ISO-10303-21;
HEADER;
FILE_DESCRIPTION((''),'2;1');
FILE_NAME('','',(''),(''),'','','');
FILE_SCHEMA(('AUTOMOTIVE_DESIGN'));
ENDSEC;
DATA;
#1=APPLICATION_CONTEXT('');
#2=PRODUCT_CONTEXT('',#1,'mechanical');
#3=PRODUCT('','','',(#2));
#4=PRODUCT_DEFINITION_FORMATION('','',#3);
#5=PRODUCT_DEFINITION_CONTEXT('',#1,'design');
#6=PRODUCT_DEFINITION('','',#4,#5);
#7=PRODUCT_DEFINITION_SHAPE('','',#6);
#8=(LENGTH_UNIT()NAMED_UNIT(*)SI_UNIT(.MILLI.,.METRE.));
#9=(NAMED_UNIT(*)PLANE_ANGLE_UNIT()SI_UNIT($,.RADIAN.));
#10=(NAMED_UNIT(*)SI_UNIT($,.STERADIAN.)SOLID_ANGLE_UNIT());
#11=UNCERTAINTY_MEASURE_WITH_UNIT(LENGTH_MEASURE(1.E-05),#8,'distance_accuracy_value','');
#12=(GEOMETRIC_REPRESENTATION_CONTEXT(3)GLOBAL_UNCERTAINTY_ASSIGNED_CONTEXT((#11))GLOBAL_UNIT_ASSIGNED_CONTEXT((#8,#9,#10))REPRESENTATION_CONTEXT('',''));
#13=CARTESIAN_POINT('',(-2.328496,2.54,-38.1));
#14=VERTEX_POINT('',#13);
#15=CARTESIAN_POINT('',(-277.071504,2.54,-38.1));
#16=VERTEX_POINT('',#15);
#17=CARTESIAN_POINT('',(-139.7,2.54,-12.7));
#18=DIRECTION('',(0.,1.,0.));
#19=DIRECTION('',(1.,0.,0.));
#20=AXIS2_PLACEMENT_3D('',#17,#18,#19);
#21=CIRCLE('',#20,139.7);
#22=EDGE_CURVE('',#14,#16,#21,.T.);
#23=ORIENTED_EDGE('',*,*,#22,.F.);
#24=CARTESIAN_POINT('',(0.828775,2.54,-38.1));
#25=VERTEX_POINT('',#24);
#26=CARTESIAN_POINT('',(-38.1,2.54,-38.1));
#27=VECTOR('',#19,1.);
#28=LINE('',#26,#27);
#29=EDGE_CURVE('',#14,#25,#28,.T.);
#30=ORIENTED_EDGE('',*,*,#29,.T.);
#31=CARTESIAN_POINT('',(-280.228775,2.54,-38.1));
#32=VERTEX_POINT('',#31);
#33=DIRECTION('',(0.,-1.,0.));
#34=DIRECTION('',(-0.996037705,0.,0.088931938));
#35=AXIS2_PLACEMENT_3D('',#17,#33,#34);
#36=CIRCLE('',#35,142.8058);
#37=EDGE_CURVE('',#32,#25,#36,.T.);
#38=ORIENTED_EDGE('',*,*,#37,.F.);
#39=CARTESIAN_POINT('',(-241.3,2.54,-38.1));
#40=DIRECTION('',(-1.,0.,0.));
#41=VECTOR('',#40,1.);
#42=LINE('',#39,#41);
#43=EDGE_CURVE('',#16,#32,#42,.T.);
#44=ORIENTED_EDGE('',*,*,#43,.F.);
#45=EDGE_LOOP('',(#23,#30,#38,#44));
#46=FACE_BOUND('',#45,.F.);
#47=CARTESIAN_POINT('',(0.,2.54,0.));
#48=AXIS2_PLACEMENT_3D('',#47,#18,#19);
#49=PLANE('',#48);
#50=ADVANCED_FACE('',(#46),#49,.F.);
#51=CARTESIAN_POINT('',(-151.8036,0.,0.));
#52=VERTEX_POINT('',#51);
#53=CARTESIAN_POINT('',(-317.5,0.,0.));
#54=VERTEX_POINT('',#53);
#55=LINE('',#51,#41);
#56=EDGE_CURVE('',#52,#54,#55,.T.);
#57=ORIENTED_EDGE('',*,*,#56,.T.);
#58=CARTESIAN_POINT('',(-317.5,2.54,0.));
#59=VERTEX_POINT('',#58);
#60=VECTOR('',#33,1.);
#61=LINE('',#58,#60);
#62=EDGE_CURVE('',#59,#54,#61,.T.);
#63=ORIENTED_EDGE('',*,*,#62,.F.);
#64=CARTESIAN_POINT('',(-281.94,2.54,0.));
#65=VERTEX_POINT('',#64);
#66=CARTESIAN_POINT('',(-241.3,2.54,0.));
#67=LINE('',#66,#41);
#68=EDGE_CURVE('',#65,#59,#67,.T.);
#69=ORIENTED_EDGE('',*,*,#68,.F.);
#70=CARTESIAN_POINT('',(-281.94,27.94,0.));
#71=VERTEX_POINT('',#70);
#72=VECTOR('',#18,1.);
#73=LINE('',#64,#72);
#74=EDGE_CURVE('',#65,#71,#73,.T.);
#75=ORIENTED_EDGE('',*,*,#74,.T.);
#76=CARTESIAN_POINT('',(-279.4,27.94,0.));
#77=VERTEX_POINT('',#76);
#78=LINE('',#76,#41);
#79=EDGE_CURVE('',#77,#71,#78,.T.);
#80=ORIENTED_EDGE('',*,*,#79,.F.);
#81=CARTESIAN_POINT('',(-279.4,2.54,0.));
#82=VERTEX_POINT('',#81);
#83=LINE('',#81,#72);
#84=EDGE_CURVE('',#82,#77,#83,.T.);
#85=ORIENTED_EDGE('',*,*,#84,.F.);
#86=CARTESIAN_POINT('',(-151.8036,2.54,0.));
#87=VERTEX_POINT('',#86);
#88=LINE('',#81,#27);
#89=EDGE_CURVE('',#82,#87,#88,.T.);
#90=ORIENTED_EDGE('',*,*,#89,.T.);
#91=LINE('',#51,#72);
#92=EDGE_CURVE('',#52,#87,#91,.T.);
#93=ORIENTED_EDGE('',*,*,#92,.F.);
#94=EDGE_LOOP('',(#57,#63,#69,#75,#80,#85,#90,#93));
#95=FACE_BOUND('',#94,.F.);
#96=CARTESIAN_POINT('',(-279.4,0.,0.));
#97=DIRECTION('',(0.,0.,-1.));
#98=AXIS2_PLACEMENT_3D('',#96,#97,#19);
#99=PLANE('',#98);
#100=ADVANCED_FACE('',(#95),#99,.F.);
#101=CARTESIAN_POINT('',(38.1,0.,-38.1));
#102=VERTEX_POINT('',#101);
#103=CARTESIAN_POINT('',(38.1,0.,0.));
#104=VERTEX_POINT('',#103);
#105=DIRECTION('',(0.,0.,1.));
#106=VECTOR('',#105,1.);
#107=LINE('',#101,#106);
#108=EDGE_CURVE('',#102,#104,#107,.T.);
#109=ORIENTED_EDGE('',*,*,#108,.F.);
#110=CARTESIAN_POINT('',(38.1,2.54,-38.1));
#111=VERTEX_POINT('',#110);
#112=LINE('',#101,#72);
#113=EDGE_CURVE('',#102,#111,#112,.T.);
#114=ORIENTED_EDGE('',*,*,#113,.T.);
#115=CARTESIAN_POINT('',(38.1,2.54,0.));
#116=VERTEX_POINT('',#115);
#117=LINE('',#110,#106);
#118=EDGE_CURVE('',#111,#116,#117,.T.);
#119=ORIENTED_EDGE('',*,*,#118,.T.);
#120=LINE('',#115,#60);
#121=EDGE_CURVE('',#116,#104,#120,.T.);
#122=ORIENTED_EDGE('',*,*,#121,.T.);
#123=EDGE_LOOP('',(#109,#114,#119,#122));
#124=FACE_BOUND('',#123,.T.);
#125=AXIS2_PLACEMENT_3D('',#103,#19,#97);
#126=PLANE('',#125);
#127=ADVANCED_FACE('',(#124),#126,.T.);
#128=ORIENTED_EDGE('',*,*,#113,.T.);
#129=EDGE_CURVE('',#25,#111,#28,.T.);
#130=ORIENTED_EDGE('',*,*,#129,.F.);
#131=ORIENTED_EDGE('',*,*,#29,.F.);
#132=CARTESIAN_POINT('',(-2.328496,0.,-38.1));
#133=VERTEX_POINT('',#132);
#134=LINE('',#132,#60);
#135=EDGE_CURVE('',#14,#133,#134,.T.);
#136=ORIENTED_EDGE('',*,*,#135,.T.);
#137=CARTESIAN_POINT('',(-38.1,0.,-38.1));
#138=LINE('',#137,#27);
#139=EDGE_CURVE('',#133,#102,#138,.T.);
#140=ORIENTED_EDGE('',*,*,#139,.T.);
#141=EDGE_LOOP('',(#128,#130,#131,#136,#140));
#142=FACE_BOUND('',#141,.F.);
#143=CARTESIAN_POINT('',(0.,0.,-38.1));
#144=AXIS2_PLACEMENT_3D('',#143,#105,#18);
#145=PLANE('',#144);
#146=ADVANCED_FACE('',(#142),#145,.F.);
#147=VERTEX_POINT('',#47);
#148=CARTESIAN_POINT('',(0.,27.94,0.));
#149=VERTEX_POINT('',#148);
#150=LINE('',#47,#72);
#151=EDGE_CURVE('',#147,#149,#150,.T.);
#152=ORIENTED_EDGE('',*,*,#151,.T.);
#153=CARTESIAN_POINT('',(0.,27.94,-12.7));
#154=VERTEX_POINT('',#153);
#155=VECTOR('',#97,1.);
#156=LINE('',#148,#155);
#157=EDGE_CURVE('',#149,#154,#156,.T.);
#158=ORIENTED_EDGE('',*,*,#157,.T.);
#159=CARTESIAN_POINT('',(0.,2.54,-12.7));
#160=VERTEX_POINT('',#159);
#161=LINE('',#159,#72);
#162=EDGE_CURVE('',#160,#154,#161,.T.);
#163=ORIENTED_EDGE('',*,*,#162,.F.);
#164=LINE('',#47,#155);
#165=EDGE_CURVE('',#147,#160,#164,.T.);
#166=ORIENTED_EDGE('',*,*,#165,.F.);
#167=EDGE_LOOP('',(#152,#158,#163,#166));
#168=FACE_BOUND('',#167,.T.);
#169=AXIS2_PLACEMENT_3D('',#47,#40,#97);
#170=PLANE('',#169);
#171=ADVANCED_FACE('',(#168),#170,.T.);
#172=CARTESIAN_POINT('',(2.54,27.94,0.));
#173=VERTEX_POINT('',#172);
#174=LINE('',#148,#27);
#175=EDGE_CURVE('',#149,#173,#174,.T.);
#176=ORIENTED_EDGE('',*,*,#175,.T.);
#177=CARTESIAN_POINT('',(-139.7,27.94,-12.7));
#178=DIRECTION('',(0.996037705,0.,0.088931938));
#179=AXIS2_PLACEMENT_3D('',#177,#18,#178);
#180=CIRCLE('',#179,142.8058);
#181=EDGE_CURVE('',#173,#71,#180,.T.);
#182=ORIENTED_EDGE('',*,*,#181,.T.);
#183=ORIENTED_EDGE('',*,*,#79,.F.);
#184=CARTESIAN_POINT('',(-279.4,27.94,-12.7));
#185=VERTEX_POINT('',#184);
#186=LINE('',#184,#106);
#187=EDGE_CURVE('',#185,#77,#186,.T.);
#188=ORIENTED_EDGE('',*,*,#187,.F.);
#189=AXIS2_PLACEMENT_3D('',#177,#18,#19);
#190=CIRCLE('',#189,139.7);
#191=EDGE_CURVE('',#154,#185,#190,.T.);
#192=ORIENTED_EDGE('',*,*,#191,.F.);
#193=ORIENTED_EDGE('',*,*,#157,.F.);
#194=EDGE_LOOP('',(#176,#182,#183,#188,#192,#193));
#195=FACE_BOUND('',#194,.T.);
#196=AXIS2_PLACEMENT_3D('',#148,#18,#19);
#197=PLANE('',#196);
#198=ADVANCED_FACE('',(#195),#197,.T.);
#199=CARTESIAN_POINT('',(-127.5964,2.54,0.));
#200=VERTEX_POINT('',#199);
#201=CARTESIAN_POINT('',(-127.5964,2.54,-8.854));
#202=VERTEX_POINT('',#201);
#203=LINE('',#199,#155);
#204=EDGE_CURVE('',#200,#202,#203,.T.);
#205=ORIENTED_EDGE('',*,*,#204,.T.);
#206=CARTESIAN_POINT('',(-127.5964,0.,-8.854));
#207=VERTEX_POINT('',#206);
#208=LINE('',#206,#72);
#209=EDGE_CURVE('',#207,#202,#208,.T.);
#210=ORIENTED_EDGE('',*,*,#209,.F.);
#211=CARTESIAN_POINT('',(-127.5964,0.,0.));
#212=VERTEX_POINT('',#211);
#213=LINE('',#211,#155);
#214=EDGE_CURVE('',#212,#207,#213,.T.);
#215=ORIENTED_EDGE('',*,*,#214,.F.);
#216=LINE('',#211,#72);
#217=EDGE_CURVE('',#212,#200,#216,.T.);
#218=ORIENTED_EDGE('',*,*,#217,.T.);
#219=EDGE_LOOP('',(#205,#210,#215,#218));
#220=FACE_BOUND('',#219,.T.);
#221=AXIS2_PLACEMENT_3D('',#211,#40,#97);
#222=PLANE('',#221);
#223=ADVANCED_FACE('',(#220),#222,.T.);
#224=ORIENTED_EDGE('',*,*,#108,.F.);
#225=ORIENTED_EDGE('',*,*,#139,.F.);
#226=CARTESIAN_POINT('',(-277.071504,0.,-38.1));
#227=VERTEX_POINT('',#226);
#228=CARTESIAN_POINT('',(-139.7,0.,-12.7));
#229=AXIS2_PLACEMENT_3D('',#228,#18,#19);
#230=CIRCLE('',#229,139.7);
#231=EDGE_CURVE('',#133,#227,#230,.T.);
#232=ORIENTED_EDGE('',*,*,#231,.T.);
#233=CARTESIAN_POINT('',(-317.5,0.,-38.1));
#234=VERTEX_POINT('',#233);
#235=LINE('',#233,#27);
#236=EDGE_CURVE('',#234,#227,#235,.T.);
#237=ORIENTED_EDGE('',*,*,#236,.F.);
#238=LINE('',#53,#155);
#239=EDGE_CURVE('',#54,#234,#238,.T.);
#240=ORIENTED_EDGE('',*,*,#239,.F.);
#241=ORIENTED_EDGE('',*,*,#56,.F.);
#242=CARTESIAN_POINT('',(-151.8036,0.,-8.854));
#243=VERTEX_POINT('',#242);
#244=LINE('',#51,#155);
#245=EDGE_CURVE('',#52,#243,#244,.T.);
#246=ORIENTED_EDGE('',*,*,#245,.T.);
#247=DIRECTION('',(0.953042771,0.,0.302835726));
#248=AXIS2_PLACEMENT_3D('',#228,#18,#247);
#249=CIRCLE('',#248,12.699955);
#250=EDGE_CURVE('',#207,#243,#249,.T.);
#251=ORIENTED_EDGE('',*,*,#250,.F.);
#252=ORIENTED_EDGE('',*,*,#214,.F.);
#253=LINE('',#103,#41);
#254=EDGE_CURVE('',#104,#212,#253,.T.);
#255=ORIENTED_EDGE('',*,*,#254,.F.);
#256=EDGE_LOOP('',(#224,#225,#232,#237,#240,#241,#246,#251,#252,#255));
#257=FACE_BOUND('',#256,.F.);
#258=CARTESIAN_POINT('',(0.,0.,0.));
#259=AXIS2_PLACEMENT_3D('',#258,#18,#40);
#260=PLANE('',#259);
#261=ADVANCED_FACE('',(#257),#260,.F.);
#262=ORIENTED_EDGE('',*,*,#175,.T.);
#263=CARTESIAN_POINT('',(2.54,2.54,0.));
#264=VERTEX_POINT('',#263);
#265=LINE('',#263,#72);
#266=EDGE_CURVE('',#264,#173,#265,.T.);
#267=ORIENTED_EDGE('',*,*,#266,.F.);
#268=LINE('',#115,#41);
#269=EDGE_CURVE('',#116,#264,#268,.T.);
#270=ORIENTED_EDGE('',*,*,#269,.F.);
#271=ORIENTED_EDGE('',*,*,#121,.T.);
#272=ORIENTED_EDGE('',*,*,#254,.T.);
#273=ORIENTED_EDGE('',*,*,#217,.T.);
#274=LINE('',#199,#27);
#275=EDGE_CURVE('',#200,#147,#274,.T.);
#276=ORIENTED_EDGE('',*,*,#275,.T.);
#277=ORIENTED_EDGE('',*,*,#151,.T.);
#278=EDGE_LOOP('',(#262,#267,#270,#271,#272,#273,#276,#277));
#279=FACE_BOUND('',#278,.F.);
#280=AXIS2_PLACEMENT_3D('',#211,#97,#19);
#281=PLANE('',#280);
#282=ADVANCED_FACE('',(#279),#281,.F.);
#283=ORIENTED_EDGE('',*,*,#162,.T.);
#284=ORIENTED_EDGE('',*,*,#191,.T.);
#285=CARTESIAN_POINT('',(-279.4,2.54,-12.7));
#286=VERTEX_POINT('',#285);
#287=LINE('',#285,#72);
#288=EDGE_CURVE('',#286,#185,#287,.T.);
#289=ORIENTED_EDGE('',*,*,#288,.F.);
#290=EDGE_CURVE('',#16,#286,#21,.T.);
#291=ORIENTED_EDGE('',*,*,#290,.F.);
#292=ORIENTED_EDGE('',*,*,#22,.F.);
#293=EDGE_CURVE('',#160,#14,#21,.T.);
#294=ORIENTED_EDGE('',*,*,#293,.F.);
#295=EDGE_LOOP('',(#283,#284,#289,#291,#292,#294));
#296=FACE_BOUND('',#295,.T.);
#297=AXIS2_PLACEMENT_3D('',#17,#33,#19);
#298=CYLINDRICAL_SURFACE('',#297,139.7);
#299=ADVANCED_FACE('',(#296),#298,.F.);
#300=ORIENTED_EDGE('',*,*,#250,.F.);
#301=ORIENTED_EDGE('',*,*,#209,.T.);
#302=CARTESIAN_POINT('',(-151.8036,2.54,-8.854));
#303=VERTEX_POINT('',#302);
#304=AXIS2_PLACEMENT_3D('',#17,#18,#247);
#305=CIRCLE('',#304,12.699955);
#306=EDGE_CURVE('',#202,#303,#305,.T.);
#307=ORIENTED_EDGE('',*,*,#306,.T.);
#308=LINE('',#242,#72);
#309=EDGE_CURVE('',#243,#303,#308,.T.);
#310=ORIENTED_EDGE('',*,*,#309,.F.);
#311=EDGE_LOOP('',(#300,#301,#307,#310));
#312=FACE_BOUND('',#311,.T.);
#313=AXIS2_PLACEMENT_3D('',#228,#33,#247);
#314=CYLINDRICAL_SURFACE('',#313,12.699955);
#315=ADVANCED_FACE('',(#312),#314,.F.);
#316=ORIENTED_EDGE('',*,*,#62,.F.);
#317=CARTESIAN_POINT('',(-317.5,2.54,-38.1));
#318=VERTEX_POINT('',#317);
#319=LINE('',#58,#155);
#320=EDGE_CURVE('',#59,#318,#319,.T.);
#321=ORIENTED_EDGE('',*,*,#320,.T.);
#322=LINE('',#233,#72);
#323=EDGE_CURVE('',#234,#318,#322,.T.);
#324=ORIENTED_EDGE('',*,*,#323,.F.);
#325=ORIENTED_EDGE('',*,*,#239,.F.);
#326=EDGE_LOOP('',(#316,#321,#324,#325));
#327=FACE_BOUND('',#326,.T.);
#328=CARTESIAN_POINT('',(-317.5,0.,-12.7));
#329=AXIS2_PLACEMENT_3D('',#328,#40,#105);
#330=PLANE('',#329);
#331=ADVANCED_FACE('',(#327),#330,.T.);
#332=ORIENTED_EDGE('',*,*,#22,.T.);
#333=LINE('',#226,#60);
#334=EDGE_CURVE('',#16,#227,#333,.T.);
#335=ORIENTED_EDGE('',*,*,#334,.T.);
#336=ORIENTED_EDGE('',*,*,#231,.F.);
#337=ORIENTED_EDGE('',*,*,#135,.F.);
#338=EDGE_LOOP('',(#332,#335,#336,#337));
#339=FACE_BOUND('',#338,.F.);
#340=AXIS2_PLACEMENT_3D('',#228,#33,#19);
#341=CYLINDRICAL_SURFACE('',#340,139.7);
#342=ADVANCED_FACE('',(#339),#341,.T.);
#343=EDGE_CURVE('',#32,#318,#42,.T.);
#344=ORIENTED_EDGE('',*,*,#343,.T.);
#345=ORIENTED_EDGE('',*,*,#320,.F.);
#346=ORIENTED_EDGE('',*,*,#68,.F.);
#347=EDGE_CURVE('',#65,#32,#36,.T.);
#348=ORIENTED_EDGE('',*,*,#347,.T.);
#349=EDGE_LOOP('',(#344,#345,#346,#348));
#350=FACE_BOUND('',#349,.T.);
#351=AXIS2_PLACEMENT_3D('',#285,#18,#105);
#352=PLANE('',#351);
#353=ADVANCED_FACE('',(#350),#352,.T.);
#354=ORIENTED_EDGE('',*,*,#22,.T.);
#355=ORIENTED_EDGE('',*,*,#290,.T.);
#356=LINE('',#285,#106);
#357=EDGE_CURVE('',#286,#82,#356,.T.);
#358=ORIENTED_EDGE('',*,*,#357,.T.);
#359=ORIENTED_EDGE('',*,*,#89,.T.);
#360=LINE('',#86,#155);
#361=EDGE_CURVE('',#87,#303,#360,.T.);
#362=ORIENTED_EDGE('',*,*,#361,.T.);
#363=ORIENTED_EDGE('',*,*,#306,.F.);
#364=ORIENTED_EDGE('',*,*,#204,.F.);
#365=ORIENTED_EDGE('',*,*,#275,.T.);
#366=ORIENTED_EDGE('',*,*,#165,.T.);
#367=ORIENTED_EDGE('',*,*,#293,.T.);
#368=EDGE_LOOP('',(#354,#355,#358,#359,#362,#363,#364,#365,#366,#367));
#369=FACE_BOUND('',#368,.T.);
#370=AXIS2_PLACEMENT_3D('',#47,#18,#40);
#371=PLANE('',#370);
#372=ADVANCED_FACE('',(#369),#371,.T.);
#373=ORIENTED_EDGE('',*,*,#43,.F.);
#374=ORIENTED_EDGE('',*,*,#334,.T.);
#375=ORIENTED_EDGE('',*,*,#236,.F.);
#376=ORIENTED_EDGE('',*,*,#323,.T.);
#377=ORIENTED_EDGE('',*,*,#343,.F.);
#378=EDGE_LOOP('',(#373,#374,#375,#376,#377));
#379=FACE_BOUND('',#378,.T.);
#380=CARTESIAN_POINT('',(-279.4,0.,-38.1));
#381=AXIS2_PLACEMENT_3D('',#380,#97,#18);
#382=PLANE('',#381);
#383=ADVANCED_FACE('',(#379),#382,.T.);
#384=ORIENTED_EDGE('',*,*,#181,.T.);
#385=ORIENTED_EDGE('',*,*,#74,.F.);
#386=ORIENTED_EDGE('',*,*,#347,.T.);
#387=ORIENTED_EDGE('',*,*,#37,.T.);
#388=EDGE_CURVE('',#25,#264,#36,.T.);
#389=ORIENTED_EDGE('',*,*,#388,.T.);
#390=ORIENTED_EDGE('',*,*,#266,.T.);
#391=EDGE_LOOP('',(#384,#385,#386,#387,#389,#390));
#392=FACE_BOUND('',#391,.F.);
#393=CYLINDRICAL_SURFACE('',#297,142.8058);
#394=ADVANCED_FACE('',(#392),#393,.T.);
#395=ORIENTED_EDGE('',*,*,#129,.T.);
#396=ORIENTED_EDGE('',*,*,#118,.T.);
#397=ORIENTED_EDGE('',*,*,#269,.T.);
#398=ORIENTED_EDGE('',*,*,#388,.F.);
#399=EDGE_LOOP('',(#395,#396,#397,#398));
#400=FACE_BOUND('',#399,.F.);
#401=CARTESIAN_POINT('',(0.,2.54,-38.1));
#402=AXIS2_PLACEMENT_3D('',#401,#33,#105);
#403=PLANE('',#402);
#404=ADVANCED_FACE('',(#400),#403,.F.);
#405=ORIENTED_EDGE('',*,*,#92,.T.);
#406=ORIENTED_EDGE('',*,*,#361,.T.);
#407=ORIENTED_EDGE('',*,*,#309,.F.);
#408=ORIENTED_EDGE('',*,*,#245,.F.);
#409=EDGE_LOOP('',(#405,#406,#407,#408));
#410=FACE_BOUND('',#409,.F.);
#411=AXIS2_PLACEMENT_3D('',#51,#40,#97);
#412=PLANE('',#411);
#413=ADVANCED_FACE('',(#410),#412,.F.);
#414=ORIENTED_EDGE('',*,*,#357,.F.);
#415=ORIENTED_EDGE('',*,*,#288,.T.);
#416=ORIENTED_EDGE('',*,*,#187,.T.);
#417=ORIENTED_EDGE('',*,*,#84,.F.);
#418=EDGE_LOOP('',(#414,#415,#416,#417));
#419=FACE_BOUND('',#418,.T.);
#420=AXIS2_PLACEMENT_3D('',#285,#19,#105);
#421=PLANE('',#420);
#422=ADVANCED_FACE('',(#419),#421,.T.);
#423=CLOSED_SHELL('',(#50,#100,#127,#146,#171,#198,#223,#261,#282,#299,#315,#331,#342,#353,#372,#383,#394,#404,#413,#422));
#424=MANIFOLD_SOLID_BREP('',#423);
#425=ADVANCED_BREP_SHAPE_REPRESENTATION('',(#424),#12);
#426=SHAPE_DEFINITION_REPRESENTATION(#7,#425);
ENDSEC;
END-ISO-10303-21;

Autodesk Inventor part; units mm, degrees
ref_plane "YZ Plane" through (0, 0, 0) normal (1, 0, 0) x (0, 1, 0)
ref_plane "XZ Plane" through (0, 0, 0) normal (0, 1, 0) x (-1, 0, 0)
ref_plane "XY Plane" through (0, 0, 0) normal (0, 0, 1) x (1, 0, 0)
sketch "Sketch3" plane through (0, 0, 0) normal (0, 1, 0) x (-1, 0, 0)
  arc A0 (127.5964, -8.854) -> (151.8036, -8.854) centre (139.7, -12.7) ccw
  arc A1 (0, -12.7) -> (279.4, -12.7) centre (139.7, -12.7) ccw
  line L0 (279.4, -12.7) -> (279.4, 0)
  line L1 (279.4, 0) -> (151.8036, 0)
  line L2 (151.8036, 0) -> (151.8036, -8.854)
  line L3 (127.5964, 0) -> (0, 0)
  line L4 (0, 0) -> (0, -12.7)
  line L5 (127.5964, 0) -> (127.5964, -8.854)
  point P0 (0, -12.7)
  dimension "d9" = 279.4
extrude "Extrusion2" add sketch "Sketch3" along normal blind 2.54
sketch "Sketch4" plane through (0, 2.54, 0) normal (0, 1, 0) x (1, 0, 0)
  arc A0 (-127.5964, 8.854) -> (-151.8036, 8.854) centre (-139.7, 12.7) ccw projected
  arc A1 (0, 12.7) -> (-279.4, 12.7) centre (-139.7, 12.7) ccw
  line L0 (-127.5964, 0) -> (0, 0) projected
  line L1 (0, 0) -> (2.54, 0)
  line L2 (-279.4, 12.7) -> (-279.4, 0) projected
  line L3 (-279.4, 0) -> (-281.94, 0)
  circle A2 centre (-139.7, 12.7) radius 142.8058
  line L4 (0, 0) -> (2.54, 0)
  line L5 (0, 0) -> (0, 12.7)
  arc A3 (0, 12.7) -> (-279.4, 12.7) centre (-139.7, 12.7) ccw projected
  line L6 (-279.4, 0) -> (-279.4, 12.7)
  line L7 (-279.4, 0) -> (-281.94, 0)
  dimension "d12" = 2.54
  dimension "d13" = 2.54
extrude "Extrusion3" add sketch "Sketch4" along normal blind 25.4 contours A1 L2 L3 A2 L1 L5 picked at (-280.1039, 19.3593)
sketch "Sketch6" plane through (-279.4, 0, -12.7) normal (-1, 0, 0) x (0, 0, 1)
  line L0 (12.7, 0) -> (3.846, 0) projected
  line L1 (0, 2.54) -> (-139.7, 2.54) projected
  line L2 (12.7, 0) -> (-25.4, 0)
  line L3 (-25.4, 0) -> (-25.4, 2.54)
  line L4 (-25.4, 2.54) -> (12.7, 2.54)
  line L5 (12.7, 2.54) -> (12.7, 0)
  dimension "d16" = 38.1
extrude "Extrusion4" add sketch "Sketch6" along normal mid plane 76.2
sketch "Sketch7" plane through (0, 0, 0) normal (1, 0, 0) x (0, 0, -1)
  line L0 (38.1, 0) -> (0, 0) projected
  line L1 (0, 0) -> (38.1, 0)
  line L2 (38.1, 0) -> (38.1, 2.54)
  line L3 (38.1, 2.54) -> (0, 2.54)
  line L4 (0, 2.54) -> (0, 0)
  dimension "d19" = 38.1
  dimension "d20" = 2.54
extrude "Extrusion5" add sketch "Sketch7" along normal mid plane 76.2
properties part number "FlatRotationalTransfer"
